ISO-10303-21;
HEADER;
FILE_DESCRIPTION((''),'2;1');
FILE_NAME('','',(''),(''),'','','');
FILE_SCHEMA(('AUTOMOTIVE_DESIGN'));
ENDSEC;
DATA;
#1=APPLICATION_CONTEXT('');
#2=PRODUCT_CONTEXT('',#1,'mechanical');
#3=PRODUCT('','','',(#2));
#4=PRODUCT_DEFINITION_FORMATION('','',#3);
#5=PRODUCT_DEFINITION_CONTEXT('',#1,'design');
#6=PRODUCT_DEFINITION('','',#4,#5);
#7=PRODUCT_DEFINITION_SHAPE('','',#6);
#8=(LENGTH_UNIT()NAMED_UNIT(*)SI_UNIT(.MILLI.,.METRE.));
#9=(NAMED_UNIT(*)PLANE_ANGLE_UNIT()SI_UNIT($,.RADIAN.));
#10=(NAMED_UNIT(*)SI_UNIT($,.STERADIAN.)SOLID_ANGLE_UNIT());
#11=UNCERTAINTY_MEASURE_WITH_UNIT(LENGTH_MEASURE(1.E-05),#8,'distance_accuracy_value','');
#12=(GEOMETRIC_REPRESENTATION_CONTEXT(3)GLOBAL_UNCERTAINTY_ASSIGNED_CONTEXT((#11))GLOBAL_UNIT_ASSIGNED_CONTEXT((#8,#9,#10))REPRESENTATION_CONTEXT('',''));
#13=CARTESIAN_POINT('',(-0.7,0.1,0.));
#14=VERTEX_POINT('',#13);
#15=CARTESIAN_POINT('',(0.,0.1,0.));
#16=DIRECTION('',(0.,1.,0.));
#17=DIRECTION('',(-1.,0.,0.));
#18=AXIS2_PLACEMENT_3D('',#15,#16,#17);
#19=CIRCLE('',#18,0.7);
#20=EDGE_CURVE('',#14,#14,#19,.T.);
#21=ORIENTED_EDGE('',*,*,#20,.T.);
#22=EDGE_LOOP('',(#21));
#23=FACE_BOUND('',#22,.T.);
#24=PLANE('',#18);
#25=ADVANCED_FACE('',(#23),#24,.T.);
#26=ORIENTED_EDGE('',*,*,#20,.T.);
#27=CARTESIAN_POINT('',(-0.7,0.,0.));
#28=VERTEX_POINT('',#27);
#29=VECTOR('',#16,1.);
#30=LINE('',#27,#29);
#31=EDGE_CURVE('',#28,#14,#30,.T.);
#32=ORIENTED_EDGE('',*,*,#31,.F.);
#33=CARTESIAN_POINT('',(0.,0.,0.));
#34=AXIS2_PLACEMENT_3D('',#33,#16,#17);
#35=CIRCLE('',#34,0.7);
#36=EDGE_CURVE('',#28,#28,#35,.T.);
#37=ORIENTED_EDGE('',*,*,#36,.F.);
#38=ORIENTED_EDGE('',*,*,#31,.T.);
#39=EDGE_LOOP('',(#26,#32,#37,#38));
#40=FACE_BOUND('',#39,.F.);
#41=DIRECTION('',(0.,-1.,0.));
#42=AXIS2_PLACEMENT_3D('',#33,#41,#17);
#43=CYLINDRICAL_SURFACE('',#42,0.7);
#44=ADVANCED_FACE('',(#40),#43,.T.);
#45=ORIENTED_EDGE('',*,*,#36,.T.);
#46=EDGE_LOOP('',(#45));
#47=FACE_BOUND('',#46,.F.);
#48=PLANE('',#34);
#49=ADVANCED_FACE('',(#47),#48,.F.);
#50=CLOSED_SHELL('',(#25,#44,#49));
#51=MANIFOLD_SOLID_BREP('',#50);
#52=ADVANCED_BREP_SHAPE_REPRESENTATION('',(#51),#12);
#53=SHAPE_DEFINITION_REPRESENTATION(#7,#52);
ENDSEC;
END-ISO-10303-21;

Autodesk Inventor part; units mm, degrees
ref_plane "YZ Plane" through (0, 0, 0) normal (1, 0, 0) x (0, 1, 0)
ref_plane "XZ Plane" through (0, 0, 0) normal (0, 1, 0) x (-1, 0, 0)
ref_plane "XY Plane" through (0, 0, 0) normal (0, 0, 1) x (1, 0, 0)
sketch "Sketch1" plane through (0, 0, 0) normal (0, 1, 0) x (-1, 0, 0)
  circle A0 centre (0, 0) radius 0.7
  dimension "d0" = 1.4
extrude "Extrusion1" add sketch "Sketch1" along normal blind 0.1
properties part number "cilindro equis"
